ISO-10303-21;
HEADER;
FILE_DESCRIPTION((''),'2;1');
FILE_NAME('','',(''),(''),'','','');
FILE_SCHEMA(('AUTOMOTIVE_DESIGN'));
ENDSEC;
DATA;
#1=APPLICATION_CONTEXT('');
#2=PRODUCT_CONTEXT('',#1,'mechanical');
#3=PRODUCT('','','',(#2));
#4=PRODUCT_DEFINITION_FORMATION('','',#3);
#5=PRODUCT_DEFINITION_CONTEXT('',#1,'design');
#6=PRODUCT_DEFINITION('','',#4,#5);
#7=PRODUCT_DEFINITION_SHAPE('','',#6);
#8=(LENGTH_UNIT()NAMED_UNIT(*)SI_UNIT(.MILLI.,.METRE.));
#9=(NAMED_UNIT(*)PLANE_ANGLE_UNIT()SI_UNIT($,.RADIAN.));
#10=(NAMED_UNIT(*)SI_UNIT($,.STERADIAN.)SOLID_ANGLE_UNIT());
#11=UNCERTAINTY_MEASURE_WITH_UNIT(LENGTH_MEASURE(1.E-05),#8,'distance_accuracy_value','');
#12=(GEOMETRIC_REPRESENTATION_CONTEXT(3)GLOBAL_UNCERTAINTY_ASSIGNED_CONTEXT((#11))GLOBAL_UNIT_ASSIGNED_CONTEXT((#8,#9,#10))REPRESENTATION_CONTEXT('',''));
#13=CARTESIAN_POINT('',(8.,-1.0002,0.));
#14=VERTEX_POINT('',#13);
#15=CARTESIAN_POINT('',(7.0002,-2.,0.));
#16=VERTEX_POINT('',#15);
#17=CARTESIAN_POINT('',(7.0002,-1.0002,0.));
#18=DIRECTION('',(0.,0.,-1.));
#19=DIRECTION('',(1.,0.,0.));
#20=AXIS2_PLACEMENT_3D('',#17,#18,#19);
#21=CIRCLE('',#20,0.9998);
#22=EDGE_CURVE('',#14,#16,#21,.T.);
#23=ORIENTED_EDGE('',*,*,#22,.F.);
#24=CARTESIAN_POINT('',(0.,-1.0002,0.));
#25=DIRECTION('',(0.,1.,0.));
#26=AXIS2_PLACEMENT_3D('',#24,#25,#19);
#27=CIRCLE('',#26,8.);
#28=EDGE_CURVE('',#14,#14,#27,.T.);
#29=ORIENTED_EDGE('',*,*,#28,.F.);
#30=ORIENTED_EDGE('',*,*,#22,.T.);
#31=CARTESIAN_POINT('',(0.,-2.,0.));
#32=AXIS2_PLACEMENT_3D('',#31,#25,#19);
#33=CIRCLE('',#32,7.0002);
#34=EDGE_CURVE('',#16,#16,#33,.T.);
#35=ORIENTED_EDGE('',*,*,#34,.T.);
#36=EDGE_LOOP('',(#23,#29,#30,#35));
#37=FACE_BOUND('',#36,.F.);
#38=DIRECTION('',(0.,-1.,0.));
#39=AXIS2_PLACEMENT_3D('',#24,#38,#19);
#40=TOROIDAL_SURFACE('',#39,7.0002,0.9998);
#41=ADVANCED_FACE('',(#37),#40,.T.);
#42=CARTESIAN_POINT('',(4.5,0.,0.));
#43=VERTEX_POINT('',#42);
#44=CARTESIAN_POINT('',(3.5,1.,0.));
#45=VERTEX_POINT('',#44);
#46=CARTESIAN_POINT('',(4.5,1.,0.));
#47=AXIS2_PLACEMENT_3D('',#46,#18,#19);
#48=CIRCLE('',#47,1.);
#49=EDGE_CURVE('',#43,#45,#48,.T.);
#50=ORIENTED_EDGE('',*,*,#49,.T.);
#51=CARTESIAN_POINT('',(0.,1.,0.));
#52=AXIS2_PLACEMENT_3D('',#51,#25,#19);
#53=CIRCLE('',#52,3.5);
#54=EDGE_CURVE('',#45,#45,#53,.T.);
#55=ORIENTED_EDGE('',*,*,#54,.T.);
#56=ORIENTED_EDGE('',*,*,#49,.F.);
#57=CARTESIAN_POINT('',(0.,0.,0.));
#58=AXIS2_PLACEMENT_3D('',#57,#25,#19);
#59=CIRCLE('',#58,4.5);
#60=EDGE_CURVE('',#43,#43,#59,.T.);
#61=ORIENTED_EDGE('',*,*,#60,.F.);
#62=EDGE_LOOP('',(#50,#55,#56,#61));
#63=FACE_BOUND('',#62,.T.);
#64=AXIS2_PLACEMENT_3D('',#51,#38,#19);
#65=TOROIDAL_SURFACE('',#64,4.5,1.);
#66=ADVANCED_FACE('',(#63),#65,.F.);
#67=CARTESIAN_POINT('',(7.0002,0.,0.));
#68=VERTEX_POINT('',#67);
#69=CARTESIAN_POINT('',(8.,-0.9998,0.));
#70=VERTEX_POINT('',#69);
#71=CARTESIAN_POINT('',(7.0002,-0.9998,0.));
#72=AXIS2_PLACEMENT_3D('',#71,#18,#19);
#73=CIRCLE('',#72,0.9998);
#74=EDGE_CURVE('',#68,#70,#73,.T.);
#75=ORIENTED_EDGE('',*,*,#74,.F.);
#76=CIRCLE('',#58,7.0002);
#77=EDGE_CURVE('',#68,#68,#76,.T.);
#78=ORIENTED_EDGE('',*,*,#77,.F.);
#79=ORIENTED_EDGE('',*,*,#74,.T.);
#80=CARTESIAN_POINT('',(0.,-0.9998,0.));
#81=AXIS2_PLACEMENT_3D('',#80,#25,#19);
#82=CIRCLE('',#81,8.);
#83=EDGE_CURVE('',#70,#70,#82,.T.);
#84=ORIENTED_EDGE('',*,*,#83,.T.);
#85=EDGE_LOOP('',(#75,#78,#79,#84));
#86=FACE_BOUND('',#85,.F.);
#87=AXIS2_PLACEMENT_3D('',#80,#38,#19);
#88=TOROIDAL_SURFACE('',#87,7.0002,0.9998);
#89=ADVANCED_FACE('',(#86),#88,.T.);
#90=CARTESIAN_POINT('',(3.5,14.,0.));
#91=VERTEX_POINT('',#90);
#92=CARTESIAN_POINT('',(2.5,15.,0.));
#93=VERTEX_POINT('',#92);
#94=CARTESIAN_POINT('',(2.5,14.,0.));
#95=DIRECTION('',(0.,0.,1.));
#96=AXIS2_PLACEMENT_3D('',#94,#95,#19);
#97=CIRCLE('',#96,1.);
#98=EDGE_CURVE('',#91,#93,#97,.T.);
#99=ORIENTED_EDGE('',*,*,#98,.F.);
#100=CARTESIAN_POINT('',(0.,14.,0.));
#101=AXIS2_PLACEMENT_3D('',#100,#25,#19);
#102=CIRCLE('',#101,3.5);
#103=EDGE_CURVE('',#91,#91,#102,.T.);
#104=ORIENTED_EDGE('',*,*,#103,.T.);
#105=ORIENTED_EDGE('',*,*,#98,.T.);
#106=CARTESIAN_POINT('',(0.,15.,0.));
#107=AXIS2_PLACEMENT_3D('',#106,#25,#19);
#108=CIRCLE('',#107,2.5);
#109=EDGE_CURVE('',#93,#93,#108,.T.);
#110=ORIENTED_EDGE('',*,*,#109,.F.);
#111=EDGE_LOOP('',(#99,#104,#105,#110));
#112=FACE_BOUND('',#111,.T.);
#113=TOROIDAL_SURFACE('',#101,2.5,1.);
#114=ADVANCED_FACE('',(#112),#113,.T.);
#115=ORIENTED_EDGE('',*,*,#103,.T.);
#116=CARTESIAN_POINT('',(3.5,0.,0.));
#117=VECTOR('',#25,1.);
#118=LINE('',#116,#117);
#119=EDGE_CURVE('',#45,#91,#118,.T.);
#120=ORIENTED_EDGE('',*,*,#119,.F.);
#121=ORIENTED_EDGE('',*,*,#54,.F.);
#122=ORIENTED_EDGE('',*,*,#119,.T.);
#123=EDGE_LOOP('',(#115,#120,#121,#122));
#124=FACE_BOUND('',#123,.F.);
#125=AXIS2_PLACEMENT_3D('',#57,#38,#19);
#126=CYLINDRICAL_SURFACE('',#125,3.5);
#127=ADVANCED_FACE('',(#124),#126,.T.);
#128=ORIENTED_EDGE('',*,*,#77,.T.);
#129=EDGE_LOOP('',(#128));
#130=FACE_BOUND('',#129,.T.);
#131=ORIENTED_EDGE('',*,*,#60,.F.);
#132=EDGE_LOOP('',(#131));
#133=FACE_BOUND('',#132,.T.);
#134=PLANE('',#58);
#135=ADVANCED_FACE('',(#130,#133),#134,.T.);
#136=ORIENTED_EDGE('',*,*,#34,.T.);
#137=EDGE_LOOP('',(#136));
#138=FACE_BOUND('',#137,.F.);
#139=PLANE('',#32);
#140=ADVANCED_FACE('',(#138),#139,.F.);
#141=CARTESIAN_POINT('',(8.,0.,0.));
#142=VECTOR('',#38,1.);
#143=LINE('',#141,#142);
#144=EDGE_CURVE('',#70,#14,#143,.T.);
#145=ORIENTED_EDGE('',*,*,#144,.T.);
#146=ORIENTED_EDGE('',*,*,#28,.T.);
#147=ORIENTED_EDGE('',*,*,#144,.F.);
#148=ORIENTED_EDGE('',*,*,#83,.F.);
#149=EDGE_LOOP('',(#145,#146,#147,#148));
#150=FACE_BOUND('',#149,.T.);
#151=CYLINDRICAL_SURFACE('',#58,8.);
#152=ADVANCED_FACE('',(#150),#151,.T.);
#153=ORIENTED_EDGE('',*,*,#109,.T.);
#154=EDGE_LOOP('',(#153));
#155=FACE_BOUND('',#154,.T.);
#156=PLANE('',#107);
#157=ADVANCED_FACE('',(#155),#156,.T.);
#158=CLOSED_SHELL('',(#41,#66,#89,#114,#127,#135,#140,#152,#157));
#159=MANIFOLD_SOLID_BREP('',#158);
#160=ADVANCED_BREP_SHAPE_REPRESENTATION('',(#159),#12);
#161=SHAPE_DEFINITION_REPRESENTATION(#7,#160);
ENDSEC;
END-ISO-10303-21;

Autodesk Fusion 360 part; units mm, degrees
sketch "スケッチ1" plane through (0, 0, 0) normal (0, 1, 0) x (1, 0, 0)
  circle A0 centre (0, 0) radius 3.5
  circle A1 centre (0, 0) radius 8
  dimension "d1" = 7
  dimension "d14" = 16
extrude "押し出し1" add sketch "スケッチ1" along normal blind 15 contours A0 makes body 1
extrude "押し出し2" add sketch "スケッチ1" against normal blind 2 contours A0 | A1 bodies 1
sphere "球プリミティブ1" add diameter 34 placed x (1, 0, 0) y (0, 0, -1) z (0, 1, 0) at (0, 0, 0) separate body makes body 2
move_body "移動1" bodies 2 to x (1, 0, 0) y (0, 1, 0) z (0, 0, 1) at (0, 38.5, 0)
fillet "フィレット4" radius 1 1 edges at (-3.2631, 0, 1.2657) on bodies 1
fillet "フィレット5" radius 1 1 edges at (-3.2631, 15, 1.2657) on bodies 1
fillet "フィレット6" radius 1 2 edges at (-7.4586, 0, 2.8929) (-7.4586, -2, -2.8929) on bodies 1
delete_body "RemoveBody1" bodies 2
